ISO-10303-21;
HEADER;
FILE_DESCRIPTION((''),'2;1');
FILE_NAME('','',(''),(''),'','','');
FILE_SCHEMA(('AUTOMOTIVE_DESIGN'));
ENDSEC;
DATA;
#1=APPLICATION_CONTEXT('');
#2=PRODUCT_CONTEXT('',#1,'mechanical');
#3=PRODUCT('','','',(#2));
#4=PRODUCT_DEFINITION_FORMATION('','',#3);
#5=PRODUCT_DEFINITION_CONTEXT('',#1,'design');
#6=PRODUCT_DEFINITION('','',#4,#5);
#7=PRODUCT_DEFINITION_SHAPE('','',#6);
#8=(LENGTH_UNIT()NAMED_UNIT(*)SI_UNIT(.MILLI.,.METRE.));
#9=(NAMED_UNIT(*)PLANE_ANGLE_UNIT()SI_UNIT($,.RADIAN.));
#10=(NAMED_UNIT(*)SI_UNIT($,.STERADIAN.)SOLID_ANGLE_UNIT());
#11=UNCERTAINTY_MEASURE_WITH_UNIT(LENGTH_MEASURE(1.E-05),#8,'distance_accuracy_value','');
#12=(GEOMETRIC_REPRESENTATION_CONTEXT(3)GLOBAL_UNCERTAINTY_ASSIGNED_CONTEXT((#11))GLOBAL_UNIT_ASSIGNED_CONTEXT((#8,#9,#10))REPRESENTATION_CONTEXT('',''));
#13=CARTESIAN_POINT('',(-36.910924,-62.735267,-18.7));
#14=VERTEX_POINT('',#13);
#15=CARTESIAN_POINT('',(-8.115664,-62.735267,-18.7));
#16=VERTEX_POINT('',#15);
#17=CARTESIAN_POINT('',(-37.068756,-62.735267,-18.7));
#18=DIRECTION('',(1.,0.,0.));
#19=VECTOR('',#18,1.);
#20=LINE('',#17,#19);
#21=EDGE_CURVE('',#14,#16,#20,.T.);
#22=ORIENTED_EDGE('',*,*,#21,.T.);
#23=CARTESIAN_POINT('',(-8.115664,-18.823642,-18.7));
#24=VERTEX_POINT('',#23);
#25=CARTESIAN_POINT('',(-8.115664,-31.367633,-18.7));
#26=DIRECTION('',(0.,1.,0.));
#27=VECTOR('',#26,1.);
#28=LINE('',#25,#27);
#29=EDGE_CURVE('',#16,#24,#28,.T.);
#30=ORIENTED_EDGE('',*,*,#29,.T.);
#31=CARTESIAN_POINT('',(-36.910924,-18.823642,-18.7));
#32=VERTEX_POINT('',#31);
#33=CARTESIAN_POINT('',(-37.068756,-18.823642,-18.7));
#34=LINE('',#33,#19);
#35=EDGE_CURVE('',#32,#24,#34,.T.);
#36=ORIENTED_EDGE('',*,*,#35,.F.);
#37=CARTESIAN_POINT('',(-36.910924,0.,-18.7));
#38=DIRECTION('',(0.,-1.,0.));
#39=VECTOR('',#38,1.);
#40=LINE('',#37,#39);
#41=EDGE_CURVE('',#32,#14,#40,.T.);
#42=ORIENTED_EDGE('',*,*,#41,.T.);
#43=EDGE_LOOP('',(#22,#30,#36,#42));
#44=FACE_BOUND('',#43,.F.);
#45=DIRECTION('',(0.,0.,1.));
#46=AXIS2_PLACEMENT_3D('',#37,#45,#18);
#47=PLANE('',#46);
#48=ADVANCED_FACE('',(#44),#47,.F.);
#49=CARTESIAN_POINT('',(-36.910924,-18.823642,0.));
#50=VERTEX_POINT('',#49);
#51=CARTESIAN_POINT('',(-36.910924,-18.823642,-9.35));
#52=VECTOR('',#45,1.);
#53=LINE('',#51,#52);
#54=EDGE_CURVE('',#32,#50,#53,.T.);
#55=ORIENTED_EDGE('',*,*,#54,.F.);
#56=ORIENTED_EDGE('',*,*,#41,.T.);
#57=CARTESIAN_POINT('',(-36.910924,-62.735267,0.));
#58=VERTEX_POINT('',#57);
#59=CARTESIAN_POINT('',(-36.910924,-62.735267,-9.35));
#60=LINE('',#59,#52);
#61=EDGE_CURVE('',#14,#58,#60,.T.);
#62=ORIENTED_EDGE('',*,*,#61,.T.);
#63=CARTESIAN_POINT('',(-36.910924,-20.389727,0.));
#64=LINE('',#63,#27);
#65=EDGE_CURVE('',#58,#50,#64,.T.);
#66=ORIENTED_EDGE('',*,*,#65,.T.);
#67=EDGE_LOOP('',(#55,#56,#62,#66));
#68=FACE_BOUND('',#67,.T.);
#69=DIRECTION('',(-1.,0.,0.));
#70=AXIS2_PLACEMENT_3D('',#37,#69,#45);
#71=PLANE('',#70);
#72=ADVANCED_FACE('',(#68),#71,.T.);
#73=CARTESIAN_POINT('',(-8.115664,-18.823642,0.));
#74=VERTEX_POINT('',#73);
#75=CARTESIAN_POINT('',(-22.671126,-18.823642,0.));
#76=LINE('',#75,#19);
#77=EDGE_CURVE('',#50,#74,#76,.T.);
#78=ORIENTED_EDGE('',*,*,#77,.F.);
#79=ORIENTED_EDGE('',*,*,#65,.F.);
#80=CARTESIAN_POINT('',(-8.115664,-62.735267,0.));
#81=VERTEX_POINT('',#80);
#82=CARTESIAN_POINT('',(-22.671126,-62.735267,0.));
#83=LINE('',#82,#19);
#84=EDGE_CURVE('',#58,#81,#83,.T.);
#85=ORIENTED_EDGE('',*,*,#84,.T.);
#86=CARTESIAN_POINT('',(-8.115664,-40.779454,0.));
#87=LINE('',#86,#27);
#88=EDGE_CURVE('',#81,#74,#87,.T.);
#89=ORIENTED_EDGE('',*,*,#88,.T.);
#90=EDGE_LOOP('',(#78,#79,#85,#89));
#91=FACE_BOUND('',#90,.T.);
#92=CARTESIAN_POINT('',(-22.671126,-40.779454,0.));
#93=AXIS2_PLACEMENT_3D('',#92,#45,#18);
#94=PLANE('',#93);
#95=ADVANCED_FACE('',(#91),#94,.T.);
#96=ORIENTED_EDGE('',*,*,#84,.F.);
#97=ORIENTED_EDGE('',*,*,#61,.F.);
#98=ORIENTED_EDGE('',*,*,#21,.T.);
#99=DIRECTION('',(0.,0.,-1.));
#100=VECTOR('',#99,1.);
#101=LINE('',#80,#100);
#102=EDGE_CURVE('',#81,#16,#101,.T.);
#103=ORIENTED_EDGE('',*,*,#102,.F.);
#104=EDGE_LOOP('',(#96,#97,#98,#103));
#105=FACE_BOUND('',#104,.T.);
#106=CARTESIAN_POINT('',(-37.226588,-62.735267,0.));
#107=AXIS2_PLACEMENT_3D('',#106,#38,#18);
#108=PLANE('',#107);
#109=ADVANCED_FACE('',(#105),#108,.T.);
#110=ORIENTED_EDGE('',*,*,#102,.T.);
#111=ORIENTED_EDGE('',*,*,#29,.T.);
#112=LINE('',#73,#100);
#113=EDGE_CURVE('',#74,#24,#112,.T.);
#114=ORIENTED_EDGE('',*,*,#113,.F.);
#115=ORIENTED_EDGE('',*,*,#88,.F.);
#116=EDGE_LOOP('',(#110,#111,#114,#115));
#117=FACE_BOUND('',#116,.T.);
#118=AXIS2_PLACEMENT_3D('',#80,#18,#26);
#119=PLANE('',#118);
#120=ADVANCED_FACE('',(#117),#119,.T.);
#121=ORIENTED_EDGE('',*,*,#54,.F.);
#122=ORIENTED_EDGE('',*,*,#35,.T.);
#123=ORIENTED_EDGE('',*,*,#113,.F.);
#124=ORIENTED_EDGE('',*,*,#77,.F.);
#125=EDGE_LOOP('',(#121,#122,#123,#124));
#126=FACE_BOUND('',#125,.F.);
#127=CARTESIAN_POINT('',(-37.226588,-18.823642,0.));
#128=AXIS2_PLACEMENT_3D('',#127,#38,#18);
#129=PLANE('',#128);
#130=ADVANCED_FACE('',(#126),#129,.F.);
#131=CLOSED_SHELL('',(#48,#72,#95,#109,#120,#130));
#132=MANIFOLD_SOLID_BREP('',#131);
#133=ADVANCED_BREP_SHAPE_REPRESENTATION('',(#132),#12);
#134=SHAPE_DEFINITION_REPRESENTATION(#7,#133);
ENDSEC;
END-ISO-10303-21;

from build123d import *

# Parameters (mm, degrees)
F0_W     = 100
F0_H     = 50
F1_DEPTH = 156
F2_W     = 29.110924
F2_H     = 43.911625
F3_DEPTH = 18.701


with BuildPart() as f1:
    # F0 (on Front) → F1 (new body)
    with BuildSketch(Plane.XZ):
        with Locations((13.089076, 6.3)):
            Rectangle(F0_W, F0_H)
    extrude(amount=F1_DEPTH)

    # F2 (on Top) → F3 (intersect, through all)
    with BuildSketch(Plane.XY):
        with Locations((-22.671126, -40.779454)):
            Rectangle(F2_W, F2_H)
    extrude(amount=-F3_DEPTH, mode=Mode.INTERSECT)


solid = f1.part
